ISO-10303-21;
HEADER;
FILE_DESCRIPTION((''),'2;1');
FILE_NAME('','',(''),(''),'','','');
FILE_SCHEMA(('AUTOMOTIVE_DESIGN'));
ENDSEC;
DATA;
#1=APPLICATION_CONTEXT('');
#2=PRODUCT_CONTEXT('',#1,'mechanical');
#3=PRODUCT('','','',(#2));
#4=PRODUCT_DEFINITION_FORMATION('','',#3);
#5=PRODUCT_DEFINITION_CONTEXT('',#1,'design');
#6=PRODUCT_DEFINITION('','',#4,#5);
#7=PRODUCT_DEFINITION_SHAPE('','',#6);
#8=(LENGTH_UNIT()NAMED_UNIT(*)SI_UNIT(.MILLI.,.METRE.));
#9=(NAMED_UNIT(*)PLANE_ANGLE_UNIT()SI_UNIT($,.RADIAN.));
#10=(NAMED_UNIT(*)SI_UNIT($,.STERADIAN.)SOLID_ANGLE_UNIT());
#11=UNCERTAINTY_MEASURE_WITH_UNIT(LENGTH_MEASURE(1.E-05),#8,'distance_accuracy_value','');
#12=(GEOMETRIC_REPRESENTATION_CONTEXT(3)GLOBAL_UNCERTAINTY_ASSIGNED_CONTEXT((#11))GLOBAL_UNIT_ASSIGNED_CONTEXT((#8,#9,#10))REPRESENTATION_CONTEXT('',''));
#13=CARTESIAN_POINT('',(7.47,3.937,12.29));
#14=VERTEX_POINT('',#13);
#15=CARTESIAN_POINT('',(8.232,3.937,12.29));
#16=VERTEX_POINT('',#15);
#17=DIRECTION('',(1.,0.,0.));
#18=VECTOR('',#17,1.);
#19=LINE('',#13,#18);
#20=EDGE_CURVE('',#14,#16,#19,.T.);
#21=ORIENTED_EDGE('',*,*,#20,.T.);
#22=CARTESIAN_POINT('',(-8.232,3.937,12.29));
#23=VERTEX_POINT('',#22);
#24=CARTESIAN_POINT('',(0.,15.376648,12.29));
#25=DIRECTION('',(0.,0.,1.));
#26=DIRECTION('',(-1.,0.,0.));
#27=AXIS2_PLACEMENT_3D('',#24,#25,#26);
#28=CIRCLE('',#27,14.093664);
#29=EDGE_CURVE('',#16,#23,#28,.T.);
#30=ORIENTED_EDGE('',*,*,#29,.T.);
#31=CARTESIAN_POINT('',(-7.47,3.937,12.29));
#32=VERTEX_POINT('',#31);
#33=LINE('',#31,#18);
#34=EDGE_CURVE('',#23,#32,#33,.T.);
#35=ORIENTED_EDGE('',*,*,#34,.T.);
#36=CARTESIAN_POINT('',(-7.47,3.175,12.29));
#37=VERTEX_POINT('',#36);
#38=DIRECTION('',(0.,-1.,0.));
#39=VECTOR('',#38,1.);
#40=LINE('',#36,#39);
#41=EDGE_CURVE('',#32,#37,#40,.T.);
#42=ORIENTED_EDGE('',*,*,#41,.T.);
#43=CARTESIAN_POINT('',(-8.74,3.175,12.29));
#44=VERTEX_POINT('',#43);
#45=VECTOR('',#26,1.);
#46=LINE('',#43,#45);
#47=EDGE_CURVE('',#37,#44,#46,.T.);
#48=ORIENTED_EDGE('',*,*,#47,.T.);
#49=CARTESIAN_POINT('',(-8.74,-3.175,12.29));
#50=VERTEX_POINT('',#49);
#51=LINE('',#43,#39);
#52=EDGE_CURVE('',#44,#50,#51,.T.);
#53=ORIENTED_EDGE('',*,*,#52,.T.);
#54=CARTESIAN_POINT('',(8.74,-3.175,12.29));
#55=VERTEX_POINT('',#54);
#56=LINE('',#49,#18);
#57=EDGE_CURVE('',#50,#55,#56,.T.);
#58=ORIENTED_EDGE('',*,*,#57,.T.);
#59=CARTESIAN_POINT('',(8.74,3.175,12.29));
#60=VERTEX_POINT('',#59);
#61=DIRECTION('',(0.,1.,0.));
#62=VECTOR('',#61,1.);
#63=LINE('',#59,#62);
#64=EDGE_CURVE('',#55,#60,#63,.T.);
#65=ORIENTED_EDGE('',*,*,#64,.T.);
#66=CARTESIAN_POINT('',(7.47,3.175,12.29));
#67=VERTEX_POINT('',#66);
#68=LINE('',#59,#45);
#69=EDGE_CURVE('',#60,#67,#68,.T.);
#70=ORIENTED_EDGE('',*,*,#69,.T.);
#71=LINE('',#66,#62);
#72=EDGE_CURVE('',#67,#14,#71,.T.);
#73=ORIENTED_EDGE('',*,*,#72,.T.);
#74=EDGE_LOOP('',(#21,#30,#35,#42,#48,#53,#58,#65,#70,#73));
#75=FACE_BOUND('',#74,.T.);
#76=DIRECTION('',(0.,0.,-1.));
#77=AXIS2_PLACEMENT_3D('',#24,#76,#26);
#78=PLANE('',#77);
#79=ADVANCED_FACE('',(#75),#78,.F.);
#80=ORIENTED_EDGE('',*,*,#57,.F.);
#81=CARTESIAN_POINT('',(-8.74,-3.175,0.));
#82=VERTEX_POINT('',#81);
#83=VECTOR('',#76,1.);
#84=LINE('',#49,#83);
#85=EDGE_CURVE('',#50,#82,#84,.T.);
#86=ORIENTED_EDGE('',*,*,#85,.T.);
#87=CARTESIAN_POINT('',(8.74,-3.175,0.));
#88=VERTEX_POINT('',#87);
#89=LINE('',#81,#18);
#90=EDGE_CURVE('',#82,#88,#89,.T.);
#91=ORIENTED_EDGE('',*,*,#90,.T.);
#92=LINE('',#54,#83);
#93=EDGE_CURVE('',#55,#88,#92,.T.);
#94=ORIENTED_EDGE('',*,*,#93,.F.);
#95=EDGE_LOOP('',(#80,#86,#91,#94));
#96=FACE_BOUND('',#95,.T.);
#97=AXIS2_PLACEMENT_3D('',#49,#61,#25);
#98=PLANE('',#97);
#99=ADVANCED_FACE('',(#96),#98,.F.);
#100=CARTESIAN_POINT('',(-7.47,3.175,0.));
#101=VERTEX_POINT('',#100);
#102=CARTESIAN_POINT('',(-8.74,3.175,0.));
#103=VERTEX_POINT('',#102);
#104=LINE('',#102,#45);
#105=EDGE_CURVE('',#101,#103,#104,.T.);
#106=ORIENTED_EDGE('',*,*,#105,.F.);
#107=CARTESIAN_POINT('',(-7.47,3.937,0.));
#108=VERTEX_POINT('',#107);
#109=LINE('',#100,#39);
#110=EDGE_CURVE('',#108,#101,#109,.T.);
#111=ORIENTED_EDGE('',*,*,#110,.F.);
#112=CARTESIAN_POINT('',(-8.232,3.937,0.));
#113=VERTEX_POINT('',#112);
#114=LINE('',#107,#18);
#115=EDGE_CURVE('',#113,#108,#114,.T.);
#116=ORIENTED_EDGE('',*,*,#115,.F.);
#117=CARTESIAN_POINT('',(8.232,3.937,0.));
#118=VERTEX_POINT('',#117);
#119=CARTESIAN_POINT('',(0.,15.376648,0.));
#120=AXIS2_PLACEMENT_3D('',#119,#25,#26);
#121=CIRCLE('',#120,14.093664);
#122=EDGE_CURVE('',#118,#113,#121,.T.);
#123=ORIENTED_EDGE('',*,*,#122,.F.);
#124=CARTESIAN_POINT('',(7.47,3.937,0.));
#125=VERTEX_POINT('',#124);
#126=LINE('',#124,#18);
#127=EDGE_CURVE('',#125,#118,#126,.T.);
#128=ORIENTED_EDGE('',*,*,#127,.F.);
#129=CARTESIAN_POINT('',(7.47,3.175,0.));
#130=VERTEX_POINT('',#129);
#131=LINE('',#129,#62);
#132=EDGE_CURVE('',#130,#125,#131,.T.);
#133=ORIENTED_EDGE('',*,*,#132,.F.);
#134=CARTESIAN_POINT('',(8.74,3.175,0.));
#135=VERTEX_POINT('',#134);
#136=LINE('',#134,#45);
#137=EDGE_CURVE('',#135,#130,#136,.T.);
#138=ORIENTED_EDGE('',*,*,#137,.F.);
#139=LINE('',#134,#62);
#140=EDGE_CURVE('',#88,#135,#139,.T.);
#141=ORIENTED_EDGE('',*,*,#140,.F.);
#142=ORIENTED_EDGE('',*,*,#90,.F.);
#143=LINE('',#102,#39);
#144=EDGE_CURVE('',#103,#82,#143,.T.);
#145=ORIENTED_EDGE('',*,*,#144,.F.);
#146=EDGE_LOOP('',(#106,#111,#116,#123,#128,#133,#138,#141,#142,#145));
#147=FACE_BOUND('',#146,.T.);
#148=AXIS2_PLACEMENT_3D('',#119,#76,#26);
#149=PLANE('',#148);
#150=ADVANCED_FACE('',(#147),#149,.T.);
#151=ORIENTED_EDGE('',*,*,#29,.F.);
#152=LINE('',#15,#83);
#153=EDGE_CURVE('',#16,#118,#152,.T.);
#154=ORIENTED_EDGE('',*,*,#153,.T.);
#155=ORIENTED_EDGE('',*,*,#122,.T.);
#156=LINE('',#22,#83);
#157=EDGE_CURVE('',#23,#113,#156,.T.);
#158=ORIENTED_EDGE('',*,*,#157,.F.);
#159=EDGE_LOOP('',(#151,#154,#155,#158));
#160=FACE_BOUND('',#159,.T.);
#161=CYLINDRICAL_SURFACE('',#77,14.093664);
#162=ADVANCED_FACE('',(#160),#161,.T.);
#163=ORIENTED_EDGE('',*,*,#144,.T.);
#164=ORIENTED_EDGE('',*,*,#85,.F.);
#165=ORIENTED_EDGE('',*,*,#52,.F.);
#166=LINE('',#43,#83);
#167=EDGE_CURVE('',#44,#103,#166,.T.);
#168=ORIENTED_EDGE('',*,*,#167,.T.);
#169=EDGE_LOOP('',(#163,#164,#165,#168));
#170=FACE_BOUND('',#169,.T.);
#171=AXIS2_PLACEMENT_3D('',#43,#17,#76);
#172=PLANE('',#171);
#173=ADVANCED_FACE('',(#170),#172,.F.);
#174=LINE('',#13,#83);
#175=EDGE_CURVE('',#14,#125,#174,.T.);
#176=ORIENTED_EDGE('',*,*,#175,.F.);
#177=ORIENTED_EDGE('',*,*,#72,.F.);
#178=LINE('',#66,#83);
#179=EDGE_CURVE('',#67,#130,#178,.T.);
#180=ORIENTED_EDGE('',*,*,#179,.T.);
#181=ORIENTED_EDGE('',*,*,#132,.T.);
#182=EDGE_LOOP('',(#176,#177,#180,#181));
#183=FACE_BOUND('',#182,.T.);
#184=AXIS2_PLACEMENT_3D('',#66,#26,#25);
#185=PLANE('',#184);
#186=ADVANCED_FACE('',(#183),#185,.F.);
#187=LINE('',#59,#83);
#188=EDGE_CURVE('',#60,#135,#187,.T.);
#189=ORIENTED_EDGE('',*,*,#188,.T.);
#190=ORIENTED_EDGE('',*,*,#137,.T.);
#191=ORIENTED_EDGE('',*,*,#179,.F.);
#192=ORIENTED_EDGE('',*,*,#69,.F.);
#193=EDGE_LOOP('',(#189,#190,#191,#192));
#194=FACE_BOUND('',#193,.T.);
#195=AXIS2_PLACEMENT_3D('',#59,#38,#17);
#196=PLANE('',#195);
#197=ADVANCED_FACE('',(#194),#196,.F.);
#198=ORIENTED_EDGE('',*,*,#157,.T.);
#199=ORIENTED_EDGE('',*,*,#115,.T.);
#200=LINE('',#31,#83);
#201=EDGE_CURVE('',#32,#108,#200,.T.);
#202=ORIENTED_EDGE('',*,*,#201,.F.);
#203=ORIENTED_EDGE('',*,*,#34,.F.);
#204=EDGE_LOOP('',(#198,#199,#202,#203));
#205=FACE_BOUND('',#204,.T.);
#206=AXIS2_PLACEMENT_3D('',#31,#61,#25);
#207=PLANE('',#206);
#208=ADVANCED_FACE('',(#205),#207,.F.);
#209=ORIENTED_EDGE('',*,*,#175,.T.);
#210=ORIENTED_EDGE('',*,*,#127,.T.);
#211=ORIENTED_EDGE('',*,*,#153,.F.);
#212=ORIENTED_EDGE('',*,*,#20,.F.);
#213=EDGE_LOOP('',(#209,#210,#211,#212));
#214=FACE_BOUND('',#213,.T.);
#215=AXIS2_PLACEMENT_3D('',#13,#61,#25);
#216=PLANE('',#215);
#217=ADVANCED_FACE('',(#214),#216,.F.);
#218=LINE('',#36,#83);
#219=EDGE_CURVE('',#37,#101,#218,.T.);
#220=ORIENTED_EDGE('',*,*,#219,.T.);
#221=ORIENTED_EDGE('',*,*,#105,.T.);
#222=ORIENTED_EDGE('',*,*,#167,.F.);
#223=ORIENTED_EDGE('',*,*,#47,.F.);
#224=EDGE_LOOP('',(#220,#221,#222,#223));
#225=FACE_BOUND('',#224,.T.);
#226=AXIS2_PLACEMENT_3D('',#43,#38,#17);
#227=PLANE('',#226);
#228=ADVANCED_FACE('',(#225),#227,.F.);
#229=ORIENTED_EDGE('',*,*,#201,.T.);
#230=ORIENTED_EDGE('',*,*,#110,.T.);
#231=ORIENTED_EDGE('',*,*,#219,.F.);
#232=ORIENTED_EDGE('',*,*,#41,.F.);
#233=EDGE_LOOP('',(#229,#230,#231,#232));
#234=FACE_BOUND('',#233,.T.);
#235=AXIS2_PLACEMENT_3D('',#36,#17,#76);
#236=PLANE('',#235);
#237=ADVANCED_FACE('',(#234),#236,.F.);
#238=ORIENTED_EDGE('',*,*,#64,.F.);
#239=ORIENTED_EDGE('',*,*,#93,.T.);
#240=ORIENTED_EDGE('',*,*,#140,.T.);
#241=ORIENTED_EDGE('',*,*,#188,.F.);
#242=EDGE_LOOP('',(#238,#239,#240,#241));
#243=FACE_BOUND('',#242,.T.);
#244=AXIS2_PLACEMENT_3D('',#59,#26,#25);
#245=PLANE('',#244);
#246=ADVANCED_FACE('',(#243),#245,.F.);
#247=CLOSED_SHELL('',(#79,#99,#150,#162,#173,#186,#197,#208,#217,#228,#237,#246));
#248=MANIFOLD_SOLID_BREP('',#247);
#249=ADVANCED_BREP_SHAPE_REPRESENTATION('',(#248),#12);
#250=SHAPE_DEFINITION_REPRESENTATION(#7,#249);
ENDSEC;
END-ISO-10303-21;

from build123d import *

# Parameters (mm, degrees)
BOSS_EXTRUDE1_DEPTH = 12.29


with BuildPart() as part:
    # Sketch2 → Boss-Extrude1 (new body)
    with BuildSketch(Plane.XY):
        with BuildLine():
            Line((-8.74, 3.175), (-7.47, 3.175))
            Line((-7.47, 3.175), (-7.47, 3.937))
            Line((-7.47, 3.937), (-8.232, 3.937))
            ThreePointArc((-8.232, 3.937), (0, 29.470311879), (8.232, 3.937))
            Line((8.232, 3.937), (7.47, 3.937))
            Line((7.47, 3.937), (7.47, 3.175))
            Line((7.47, 3.175), (8.74, 3.175))
            Line((8.74, 3.175), (8.74, -3.175))
            Line((8.74, -3.175), (-8.74, -3.175))
            Line((-8.74, -3.175), (-8.74, 3.175))
        make_face()
    extrude(amount=BOSS_EXTRUDE1_DEPTH)


solid = part.part
